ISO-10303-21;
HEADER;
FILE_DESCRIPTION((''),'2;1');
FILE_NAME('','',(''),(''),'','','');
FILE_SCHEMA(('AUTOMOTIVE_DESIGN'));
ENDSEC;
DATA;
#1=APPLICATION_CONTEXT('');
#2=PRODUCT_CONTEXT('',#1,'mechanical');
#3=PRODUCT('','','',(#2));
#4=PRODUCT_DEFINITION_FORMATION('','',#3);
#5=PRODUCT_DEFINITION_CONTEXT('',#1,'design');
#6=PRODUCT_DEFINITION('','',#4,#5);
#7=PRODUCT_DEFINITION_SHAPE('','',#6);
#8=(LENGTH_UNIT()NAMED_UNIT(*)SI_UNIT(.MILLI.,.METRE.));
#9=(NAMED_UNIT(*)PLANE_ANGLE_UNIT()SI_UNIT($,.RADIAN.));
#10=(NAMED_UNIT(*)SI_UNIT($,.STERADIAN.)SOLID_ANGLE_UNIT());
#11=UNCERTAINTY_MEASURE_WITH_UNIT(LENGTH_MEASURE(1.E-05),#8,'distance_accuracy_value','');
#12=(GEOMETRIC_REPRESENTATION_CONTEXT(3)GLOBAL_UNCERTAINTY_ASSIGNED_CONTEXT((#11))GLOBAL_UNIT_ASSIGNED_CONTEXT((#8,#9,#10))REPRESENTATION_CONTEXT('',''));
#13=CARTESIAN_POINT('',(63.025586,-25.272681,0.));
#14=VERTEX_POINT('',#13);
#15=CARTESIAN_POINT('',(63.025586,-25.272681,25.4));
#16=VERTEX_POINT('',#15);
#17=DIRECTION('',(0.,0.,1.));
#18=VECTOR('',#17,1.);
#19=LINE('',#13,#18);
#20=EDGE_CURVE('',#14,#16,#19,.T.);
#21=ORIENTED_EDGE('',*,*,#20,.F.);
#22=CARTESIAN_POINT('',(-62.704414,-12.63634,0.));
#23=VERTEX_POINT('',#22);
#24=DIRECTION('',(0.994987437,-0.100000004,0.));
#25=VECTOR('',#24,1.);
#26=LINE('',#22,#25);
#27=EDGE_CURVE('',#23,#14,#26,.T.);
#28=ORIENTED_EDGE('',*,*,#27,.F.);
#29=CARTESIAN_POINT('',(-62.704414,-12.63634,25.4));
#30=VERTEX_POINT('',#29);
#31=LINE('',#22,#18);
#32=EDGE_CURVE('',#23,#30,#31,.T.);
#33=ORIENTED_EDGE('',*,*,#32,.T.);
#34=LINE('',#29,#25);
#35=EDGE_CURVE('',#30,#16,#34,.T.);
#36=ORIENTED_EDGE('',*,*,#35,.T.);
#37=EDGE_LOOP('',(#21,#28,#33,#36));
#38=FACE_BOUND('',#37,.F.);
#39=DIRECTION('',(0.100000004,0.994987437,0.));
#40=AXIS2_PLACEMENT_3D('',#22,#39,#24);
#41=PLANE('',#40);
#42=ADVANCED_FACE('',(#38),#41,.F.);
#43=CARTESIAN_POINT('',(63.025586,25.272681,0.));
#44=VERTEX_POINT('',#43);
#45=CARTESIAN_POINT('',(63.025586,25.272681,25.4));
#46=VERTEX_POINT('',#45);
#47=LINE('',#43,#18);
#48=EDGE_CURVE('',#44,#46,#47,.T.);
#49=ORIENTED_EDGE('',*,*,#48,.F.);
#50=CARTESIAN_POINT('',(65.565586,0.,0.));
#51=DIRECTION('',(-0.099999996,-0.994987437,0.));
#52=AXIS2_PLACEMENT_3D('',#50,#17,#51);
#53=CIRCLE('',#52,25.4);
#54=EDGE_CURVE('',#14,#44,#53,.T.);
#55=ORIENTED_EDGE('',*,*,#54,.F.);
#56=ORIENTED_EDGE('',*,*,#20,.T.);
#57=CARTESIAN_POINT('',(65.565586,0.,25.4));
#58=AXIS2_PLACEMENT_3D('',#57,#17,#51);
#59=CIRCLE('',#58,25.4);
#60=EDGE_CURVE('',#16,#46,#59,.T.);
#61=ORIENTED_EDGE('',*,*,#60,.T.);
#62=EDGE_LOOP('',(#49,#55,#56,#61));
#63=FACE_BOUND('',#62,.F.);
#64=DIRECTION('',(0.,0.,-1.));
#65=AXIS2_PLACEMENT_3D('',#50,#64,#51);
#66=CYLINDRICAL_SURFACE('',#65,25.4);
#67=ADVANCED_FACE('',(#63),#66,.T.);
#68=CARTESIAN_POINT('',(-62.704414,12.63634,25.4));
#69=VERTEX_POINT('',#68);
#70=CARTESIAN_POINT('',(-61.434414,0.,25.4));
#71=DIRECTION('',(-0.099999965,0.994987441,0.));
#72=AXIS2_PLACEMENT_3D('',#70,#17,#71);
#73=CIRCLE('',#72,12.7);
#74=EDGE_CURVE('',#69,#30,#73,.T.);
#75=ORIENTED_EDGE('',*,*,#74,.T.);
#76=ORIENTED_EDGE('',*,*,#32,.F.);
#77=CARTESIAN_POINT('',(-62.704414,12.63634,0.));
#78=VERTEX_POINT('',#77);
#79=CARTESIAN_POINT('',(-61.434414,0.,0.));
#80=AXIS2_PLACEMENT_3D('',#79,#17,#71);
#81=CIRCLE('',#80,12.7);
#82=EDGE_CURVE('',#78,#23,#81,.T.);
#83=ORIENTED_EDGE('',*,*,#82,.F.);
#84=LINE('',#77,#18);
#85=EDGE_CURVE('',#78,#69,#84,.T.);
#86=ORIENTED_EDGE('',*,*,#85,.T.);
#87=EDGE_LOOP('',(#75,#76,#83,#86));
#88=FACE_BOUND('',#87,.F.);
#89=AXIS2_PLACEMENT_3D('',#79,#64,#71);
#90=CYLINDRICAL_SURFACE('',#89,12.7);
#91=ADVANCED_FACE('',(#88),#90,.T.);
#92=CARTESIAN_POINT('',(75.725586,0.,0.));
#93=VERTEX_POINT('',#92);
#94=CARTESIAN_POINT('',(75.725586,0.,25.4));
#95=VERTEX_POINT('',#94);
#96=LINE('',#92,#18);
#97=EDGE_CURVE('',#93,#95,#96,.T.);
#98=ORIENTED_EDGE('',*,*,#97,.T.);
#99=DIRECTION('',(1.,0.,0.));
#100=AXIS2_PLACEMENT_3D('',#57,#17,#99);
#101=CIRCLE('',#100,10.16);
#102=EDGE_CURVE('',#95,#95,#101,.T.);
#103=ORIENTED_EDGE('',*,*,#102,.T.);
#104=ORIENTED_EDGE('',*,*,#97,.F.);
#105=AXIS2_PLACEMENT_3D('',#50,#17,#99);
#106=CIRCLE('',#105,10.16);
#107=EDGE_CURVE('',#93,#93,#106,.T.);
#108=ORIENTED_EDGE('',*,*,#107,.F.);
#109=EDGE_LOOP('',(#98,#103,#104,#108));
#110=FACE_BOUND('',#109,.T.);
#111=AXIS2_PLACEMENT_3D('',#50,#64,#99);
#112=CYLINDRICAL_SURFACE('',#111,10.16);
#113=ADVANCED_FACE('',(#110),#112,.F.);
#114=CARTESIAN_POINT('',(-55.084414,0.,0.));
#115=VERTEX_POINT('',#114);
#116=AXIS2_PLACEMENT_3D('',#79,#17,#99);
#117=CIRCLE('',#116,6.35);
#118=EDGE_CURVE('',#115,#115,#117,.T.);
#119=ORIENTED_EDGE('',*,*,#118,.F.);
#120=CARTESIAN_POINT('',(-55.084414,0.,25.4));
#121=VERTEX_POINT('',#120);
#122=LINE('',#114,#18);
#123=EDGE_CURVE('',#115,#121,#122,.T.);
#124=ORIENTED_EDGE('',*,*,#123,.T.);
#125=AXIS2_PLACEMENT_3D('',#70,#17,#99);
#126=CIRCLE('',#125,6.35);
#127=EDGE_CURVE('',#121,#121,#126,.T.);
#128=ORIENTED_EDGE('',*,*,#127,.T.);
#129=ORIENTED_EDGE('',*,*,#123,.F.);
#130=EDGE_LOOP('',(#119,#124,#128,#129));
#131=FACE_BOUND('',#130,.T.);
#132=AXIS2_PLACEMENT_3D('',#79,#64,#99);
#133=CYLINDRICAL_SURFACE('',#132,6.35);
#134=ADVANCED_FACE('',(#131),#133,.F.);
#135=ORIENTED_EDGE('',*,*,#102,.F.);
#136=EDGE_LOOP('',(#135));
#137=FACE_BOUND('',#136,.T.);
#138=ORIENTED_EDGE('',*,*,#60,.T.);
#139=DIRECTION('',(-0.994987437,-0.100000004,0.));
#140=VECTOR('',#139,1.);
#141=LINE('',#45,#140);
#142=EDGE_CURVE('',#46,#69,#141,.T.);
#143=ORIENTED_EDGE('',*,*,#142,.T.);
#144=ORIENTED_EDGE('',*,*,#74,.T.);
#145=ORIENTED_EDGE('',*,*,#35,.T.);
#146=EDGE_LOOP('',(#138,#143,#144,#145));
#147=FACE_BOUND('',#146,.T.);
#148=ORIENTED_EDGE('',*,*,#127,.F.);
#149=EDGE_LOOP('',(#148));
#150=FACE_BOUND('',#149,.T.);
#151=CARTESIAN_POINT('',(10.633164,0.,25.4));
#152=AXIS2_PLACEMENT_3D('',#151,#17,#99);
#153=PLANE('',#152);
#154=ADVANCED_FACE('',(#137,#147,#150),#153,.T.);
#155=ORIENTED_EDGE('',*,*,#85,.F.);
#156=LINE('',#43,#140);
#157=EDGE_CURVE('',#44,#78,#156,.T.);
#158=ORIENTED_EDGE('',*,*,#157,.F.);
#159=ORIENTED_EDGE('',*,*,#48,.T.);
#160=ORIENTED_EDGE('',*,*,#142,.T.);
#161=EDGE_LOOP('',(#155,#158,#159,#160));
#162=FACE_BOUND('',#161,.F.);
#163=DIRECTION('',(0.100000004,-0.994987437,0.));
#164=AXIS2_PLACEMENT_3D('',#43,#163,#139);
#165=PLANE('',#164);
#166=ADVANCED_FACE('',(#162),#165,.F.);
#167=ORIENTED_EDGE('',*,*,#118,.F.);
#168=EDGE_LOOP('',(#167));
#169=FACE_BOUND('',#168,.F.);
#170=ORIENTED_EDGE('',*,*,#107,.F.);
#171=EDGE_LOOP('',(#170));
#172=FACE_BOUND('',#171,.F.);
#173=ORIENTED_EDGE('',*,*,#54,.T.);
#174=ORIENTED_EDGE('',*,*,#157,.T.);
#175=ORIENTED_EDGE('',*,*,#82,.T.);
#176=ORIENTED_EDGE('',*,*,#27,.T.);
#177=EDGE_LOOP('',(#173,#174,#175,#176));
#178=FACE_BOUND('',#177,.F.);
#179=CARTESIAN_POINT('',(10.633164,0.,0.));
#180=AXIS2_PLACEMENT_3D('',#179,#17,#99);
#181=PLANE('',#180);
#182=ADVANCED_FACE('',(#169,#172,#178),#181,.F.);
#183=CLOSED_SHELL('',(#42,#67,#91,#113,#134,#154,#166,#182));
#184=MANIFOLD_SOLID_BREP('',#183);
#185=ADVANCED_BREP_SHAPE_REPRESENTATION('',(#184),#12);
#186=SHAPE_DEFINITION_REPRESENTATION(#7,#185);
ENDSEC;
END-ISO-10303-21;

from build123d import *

# Parameters (mm, degrees)
F0_R     = 6.35
F0_R_2   = 10.16
F1_DEPTH = 25.4


with BuildPart() as f1:
    # F0 (on Top) → F1 (new body)
    with BuildSketch(Plane.XY):
        with BuildLine():
            Line((63.025586, 25.272681), (-62.704414, 12.63634))
            ThreePointArc((-62.704414, 12.63634), (-74.134414, 0), (-62.704414, -12.63634))
            Line((-62.704414, -12.63634), (63.025586, -25.272681))
            ThreePointArc((63.025586, -25.272681), (90.965586, 0), (63.025586, 25.272681))
        make_face()
        with Locations((-61.434414, 0)):
            Circle(F0_R, mode=Mode.SUBTRACT)
        with Locations((65.565586, 0)):
            Circle(F0_R_2, mode=Mode.SUBTRACT)
    extrude(amount=F1_DEPTH)


solid = f1.part
